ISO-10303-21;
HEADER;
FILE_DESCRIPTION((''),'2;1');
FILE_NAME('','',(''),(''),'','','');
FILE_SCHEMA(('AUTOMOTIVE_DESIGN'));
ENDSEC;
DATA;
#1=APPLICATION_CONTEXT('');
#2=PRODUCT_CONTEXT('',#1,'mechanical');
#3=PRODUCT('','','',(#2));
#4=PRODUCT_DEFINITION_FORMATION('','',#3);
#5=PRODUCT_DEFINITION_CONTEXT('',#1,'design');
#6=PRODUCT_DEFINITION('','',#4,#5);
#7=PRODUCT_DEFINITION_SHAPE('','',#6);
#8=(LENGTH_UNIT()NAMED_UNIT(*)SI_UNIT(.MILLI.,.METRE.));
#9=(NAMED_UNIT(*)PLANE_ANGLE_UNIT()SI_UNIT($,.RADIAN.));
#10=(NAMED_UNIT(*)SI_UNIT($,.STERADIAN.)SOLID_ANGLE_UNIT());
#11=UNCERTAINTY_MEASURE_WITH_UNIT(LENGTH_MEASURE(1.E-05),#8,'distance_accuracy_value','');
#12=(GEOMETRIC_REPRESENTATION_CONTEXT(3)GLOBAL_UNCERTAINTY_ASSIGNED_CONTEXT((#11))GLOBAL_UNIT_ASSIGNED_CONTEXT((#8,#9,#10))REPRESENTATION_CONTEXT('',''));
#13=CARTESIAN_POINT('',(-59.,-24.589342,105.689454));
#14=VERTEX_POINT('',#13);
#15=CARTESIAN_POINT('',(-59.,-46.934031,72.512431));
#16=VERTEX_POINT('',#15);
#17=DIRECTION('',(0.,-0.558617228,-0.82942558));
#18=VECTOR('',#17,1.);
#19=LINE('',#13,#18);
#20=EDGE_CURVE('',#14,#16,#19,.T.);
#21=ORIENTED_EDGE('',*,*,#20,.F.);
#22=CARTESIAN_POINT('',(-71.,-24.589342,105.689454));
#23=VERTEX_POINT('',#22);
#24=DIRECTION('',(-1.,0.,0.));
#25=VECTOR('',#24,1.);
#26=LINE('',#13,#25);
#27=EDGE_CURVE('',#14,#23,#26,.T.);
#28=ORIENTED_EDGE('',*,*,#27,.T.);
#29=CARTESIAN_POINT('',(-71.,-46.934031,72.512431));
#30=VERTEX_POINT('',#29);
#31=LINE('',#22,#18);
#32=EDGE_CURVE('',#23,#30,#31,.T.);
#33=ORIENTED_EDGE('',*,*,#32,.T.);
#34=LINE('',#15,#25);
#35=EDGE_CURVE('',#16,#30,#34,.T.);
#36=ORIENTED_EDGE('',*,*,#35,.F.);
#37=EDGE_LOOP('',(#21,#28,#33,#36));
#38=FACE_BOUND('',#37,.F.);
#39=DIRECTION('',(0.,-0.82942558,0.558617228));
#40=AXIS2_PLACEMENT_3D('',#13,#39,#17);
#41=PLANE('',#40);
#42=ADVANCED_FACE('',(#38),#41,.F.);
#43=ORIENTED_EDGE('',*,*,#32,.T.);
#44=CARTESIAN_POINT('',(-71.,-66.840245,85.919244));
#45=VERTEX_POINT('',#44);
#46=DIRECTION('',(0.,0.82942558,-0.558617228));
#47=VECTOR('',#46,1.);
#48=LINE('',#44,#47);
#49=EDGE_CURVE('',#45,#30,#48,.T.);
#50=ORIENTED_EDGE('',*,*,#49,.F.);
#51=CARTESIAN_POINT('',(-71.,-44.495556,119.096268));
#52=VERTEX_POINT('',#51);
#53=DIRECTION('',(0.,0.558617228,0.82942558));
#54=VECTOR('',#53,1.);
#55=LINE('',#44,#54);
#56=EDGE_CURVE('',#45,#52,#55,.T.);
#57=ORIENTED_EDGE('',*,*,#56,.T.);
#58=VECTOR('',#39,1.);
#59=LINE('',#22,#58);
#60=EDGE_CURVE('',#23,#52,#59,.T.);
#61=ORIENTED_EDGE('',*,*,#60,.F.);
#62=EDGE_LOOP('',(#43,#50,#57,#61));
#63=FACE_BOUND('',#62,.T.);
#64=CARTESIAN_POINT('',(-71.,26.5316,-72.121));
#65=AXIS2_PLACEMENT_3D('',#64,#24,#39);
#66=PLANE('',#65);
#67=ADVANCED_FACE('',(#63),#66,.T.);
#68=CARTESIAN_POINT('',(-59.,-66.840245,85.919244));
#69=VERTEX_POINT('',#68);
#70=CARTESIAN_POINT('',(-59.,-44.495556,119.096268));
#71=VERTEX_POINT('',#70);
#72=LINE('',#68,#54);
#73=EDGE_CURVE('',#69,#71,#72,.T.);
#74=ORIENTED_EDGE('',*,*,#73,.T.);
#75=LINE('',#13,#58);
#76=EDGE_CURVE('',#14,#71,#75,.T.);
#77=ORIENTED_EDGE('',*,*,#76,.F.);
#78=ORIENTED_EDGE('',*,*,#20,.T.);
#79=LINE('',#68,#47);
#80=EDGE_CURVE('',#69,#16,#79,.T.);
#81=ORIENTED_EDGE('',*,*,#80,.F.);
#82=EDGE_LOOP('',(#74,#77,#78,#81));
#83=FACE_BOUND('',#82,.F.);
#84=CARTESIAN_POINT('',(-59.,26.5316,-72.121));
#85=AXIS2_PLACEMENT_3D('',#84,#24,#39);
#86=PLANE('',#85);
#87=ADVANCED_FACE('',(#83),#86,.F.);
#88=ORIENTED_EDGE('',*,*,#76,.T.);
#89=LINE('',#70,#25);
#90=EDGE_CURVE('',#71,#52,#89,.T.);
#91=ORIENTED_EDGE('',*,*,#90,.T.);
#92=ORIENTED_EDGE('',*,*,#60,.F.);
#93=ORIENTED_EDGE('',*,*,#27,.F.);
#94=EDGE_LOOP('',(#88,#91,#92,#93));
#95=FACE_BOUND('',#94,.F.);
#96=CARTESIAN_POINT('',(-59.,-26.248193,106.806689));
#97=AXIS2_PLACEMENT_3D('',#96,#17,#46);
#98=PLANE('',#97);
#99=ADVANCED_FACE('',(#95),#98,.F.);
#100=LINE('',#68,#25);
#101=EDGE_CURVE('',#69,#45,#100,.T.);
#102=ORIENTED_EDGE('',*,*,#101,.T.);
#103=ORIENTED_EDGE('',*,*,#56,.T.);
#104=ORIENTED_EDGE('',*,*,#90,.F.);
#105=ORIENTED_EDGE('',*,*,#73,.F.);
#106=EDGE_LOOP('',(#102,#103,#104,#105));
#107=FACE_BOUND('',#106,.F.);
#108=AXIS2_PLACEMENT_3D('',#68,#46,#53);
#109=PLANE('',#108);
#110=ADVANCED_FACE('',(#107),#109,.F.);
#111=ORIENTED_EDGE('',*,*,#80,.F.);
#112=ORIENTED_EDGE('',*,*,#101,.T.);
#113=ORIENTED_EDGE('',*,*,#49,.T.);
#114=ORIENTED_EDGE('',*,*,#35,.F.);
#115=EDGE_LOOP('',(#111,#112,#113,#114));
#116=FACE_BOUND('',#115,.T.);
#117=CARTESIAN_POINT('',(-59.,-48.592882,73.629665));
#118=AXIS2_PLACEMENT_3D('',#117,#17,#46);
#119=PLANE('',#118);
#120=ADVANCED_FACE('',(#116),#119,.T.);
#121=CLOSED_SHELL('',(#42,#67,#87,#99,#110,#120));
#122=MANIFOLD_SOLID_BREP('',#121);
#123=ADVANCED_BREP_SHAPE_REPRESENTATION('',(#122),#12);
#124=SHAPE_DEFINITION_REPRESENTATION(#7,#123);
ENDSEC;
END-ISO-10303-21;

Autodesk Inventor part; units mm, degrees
ref_plane "YZ Plane" through (0, 0, 0) normal (1, 0, 0) x (0, 1, 0)
ref_plane "XZ Plane" through (0, 0, 0) normal (0, 1, 0) x (-1, 0, 0)
ref_plane "XY Plane" through (0, 0, 0) normal (0, 0, 1) x (1, 0, 0)
ref_plane "Work Plane1" through (-65, -62.5, 0) normal (-1, 0, 0) x (0, 1, 0)
ref_plane "Work Plane2" through (-59, 26.5316, -72.121) normal (-1, 0, 0) x (0, -0.8294, 0.5586)
sketch "Sketch3" plane through (-59, 26.5316, -72.121) normal (-1, 0, 0) x (0, -0.8294, 0.5586)
  circle A0 centre (153.729, 98.9235) radius 2.5 projected
  line L0 (143.729, 118.9235) -> (159.8751, 108.0498) projected
  line L1 (143.729, 118.9235) -> (141.729, 118.9235) projected
  line L2 (141.729, 118.9235) -> (141.729, 78.9235) projected
  line L3 (143.729, 78.9235) -> (141.729, 78.9235) projected
  line L4 (159.8751, 89.7972) -> (143.729, 78.9235) projected
  arc A1 (159.8751, 89.7972) -> (159.8751, 108.0498) centre (153.729, 98.9235) ccw projected
  circle A2 centre (153.729, 98.9235) radius 2.5 projected
  line L5 (165.729, 118.9235) -> (141.729, 118.9235)
  line L6 (141.729, 118.9235) -> (141.729, 78.9235)
  line L7 (141.729, 78.9235) -> (165.729, 78.9235)
  line L8 (165.729, 78.9235) -> (165.729, 118.9235)
  line L9 (165.729, 118.9235) -> (141.729, 78.9235) construction
  line L10 (141.729, 118.9235) -> (165.729, 78.9235) construction
  point P0 (62.2926, 45)
extrude "Extrusion3" add sketch "Sketch3" along normal blind 12 contours A0 | L5 L8 L7 L4 A1 L0 | L0 A1 L4 L3 L2 L1
properties part number "servo shaft"
